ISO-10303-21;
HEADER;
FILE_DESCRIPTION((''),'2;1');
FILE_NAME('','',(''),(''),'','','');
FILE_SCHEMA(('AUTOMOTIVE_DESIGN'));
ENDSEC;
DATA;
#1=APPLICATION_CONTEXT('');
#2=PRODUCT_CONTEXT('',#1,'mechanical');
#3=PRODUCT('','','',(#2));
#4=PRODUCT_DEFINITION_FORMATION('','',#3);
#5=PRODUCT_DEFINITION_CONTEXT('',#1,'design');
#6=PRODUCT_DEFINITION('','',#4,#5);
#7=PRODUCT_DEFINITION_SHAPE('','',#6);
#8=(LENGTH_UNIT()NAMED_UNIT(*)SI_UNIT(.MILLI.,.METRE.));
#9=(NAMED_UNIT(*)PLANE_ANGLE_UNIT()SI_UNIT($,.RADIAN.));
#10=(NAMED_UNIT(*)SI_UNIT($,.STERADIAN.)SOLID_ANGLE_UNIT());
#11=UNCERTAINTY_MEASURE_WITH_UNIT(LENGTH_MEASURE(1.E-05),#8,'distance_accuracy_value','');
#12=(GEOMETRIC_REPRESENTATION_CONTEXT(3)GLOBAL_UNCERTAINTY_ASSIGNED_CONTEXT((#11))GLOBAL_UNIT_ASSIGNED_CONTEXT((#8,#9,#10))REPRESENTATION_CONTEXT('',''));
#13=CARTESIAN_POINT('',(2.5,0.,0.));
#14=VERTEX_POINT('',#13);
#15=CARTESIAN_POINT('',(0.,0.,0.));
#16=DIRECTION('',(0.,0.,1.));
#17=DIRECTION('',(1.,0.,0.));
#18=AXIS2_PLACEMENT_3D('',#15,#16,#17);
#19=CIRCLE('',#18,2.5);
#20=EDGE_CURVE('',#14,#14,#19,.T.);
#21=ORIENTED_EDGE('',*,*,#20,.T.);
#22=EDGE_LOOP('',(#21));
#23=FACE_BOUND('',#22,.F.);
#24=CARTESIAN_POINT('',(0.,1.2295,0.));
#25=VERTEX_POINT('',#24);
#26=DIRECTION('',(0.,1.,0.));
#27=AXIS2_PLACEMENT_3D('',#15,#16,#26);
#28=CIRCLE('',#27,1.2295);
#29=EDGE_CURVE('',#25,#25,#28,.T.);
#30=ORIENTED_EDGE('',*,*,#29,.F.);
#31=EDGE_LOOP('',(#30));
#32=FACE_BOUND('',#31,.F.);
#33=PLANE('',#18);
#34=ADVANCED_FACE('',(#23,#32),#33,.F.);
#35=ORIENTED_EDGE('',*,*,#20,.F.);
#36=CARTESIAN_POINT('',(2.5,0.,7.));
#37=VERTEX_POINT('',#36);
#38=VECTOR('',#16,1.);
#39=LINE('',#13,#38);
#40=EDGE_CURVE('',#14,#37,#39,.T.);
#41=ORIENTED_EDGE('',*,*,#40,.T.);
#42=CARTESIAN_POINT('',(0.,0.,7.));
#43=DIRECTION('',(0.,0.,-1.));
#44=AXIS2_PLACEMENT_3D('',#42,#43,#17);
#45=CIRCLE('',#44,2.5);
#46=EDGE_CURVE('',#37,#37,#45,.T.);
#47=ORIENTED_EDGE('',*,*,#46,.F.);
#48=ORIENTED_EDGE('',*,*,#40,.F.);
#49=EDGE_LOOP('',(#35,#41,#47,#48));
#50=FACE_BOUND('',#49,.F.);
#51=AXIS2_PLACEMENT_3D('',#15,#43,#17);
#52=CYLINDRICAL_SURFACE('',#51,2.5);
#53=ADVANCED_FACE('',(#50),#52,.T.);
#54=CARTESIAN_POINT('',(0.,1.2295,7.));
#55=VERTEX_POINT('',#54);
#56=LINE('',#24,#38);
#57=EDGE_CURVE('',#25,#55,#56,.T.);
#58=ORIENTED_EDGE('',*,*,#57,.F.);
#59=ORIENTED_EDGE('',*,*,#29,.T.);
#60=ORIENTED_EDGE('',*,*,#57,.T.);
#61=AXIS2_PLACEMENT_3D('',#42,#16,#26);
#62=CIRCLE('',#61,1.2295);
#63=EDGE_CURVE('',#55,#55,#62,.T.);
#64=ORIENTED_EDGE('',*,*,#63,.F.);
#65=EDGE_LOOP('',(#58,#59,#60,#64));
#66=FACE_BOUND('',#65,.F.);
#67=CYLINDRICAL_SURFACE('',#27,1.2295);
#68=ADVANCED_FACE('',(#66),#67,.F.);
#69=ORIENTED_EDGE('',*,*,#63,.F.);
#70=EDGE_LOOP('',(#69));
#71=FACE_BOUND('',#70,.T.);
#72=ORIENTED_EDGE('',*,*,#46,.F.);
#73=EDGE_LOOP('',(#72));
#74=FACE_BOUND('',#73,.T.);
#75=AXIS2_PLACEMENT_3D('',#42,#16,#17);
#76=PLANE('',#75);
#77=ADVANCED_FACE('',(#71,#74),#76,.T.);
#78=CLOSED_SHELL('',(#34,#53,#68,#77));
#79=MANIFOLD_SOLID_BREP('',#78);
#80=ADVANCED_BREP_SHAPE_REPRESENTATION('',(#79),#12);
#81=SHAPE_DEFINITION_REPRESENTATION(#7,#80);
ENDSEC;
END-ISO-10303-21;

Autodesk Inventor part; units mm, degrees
ref_plane "YZ Plane" through (0, 0, 0) normal (1, 0, 0) x (0, 1, 0)
ref_plane "XZ Plane" through (0, 0, 0) normal (0, 1, 0) x (-1, 0, 0)
ref_plane "XY Plane" through (0, 0, 0) normal (0, 0, 1) x (1, 0, 0)
sketch "Sketch1" plane through (0, 0, 0) normal (0, 0, 1) x (1, 0, 0)
  line L0 (-3.5, 0) -> (3.5, 0) projected
  line L1 (0, 3.5) -> (0, -3.5) projected
  circle A0 centre (0, 0) radius 2.5
  dimension "d0" = 5
extrude "Extrusion1" add sketch "Sketch1" along normal blind 7
sketch "Sketch2" plane through (0, 0, 0) normal (0, 0, 1) x (1, 0, 0)
  line L0 (-14, 0) -> (14, 0) projected
  line L1 (0, 14) -> (0, -14) projected
  point P0 (0, 0)
  point P1 (0, 0)
hole "Hole1" at (0, 0, 0) direction (0, 0, 1) diameter 2.459 end through all thread size "M3x0.5" class "6H" standard "ISO Metric profile"
properties part number "stand M3-L7"
